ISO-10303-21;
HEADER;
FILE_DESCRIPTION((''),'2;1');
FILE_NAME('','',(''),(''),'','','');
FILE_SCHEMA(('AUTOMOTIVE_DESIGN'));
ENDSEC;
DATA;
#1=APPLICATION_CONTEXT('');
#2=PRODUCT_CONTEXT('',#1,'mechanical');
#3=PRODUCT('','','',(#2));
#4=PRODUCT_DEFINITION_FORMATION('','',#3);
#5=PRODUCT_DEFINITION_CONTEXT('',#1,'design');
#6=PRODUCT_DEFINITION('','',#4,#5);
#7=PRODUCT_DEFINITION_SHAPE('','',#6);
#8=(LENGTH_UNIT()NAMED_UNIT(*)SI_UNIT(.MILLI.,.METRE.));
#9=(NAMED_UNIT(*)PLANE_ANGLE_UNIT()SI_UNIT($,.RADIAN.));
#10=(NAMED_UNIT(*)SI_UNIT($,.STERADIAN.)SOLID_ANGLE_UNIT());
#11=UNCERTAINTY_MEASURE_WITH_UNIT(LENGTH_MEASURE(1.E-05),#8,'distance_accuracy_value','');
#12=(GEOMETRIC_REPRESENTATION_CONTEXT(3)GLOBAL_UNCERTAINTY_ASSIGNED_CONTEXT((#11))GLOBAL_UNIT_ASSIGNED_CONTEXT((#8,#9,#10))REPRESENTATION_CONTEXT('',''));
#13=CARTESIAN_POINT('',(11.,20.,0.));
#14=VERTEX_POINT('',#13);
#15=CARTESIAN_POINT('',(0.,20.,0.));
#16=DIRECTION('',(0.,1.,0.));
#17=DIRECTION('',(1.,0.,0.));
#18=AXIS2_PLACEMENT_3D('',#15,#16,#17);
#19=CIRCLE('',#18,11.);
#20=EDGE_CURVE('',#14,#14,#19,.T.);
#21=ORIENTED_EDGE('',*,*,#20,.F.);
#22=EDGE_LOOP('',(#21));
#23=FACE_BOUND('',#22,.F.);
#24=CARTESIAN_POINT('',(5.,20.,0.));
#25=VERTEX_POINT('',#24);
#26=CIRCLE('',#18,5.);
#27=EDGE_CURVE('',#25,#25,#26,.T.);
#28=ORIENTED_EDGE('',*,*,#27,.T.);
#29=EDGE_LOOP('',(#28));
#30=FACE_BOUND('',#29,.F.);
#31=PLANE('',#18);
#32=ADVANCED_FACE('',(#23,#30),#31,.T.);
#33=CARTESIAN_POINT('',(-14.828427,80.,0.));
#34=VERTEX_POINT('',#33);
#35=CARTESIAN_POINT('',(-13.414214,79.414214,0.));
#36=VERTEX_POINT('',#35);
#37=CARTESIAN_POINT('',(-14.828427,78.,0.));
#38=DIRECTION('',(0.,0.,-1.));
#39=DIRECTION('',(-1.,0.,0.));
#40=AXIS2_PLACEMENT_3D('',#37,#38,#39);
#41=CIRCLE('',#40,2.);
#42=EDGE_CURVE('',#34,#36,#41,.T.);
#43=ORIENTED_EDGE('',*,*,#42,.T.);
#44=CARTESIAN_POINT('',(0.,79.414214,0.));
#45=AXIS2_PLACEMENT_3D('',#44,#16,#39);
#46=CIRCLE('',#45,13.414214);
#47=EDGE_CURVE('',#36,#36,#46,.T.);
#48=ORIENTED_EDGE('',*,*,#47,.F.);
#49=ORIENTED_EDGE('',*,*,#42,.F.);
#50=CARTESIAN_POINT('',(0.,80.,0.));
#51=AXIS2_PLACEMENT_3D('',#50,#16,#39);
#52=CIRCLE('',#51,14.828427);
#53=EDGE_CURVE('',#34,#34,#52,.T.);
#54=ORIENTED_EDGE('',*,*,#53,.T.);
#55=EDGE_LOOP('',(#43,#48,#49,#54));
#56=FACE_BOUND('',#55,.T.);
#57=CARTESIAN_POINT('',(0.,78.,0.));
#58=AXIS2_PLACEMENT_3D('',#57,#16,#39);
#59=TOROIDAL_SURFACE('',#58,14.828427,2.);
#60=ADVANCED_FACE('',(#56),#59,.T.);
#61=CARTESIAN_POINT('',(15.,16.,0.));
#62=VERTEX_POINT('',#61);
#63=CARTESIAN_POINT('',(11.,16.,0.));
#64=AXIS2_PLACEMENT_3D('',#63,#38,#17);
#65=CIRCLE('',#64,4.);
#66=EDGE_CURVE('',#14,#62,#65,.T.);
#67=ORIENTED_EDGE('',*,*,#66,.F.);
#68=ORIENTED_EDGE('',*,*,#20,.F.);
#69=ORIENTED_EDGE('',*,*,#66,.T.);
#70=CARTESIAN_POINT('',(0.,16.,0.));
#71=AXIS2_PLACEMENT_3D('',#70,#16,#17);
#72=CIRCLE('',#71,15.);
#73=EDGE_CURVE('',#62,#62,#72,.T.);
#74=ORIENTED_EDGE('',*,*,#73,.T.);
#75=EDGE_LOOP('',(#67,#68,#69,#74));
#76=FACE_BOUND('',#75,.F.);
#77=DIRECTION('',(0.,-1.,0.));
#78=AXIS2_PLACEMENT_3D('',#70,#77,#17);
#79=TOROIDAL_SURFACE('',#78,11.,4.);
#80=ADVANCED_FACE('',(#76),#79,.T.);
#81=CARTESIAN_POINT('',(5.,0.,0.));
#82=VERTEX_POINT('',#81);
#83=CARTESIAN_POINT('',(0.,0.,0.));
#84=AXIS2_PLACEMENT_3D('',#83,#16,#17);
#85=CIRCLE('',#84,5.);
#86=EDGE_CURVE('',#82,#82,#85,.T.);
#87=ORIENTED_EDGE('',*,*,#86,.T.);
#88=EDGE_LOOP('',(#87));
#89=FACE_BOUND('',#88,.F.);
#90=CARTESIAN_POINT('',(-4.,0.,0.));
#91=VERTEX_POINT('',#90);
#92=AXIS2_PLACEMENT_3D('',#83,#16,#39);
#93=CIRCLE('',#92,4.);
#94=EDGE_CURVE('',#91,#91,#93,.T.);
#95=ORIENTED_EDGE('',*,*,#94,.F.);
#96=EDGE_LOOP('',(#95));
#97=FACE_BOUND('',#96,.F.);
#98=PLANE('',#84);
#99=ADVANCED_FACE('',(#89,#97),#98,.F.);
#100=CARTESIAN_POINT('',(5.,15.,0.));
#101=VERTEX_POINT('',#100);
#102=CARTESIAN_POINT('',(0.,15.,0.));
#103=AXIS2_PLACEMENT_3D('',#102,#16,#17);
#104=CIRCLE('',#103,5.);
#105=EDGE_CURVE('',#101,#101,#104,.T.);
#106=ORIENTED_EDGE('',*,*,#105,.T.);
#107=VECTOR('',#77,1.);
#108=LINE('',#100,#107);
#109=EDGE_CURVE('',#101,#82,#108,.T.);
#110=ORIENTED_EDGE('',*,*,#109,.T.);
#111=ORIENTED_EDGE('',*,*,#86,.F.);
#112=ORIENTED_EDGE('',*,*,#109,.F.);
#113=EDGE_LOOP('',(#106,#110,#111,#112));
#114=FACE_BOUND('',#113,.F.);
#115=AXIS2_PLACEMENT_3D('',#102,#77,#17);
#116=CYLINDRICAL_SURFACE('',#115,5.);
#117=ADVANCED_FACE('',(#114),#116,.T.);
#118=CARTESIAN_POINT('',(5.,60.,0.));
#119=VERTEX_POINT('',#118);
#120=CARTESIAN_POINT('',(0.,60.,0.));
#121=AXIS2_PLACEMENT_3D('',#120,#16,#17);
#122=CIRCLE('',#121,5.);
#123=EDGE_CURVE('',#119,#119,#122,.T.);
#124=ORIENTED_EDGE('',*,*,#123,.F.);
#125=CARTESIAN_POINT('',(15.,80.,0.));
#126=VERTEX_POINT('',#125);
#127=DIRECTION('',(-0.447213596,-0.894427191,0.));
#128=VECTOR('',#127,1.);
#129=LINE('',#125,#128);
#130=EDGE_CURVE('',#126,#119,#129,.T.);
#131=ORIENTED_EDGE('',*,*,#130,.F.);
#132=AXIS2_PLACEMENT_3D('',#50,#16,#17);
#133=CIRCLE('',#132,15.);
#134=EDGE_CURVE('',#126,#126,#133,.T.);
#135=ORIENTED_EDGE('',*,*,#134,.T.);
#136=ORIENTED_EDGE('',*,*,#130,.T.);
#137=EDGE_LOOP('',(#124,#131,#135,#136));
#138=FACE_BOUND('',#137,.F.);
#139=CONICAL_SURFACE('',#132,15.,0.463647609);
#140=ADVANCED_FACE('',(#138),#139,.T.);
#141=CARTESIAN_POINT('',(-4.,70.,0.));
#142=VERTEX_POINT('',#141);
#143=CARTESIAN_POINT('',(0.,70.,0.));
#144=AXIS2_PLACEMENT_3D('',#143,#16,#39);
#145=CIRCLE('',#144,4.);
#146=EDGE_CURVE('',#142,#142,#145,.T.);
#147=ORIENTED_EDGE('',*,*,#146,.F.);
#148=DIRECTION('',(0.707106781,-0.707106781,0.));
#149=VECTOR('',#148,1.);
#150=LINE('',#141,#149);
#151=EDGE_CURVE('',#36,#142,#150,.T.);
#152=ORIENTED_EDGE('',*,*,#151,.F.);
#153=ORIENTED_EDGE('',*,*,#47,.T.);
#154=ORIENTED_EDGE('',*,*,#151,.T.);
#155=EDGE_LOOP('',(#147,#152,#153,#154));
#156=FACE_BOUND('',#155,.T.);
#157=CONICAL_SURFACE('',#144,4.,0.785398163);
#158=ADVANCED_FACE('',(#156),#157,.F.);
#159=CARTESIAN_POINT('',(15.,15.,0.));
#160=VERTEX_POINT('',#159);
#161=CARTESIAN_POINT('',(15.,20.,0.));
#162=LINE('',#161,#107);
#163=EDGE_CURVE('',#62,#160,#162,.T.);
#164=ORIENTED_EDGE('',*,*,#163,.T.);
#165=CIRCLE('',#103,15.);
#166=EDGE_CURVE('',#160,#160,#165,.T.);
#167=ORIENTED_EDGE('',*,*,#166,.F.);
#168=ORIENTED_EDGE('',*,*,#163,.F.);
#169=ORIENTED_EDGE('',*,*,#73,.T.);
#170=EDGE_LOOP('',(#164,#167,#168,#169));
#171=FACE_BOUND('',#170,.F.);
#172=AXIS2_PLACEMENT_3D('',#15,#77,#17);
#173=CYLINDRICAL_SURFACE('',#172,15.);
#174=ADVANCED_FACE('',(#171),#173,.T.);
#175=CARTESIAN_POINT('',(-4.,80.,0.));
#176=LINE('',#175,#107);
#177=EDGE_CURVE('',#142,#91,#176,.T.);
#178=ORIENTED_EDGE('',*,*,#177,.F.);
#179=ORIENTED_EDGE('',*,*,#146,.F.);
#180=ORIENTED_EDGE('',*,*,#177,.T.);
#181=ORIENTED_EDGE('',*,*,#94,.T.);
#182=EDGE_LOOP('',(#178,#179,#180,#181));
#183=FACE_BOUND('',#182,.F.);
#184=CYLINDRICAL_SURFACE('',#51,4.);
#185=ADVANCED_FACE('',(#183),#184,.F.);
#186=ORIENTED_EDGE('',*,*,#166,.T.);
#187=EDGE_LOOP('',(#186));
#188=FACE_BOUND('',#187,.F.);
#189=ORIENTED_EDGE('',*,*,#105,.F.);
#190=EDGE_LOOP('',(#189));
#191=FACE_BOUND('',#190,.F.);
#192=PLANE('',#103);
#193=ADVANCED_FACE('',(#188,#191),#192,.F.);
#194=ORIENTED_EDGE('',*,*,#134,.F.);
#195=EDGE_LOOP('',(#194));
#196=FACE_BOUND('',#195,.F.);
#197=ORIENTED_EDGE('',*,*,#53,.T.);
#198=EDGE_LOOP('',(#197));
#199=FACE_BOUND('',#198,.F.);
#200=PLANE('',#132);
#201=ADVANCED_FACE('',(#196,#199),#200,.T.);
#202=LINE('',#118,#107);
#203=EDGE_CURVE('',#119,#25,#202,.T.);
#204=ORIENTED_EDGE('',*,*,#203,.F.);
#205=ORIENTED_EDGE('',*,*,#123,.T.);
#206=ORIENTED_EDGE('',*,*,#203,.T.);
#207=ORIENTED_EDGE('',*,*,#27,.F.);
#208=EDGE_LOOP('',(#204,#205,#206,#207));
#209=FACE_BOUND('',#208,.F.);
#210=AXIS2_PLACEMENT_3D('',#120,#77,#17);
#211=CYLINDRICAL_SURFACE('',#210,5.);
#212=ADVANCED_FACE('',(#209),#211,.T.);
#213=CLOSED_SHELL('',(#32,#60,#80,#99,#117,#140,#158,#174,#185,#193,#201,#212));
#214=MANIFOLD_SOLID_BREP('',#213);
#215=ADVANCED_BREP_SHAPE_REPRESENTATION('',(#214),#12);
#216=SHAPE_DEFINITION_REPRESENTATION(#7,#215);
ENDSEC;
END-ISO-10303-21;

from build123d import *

# Parameters (mm, degrees)
SKETCH001_R  = 4
POCKET_DEPTH = 80.001
CHAMFER_SIZE = 10
FILLET_R     = 4
FILLET001_R  = 2


with BuildPart() as part:
    # Sketch → Revolution (revolve)
    with BuildSketch(Plane.XY):
        Polygon((5, 60), (5, 20), (15, 20), (15, 15), (5, 15), (5, 0), (0, 0), (0, 80), (15, 80), align=None)
    revolve(axis=Axis((0, 0, 0), (0, 1, 0)))

    # Sketch001 (on Face7 of Revolution) → Pocket (cut, through all)
    with BuildSketch(Plane(origin=(0, 80, 0), x_dir=(-1, 0, 0), z_dir=(0, 1, 0))):
        Circle(SKETCH001_R)
    extrude(amount=-POCKET_DEPTH, mode=Mode.SUBTRACT)

    # Chamfer
    chamfer_edges = [part.edges().sort_by_distance(p)[0] for p in [
        (4, 80, 0),
    ]]
    chamfer(chamfer_edges, length=CHAMFER_SIZE)

    # Fillet
    fillet_edges = [part.edges().sort_by_distance(p)[0] for p in [
        (-15, 20, 0),
    ]]
    fillet(fillet_edges, radius=FILLET_R)

    # Fillet001
    fillet001_edges = [part.edges().sort_by_distance(p)[0] for p in [
        (14, 80, 0),
    ]]
    fillet(fillet001_edges, radius=FILLET001_R)


solid = part.part
